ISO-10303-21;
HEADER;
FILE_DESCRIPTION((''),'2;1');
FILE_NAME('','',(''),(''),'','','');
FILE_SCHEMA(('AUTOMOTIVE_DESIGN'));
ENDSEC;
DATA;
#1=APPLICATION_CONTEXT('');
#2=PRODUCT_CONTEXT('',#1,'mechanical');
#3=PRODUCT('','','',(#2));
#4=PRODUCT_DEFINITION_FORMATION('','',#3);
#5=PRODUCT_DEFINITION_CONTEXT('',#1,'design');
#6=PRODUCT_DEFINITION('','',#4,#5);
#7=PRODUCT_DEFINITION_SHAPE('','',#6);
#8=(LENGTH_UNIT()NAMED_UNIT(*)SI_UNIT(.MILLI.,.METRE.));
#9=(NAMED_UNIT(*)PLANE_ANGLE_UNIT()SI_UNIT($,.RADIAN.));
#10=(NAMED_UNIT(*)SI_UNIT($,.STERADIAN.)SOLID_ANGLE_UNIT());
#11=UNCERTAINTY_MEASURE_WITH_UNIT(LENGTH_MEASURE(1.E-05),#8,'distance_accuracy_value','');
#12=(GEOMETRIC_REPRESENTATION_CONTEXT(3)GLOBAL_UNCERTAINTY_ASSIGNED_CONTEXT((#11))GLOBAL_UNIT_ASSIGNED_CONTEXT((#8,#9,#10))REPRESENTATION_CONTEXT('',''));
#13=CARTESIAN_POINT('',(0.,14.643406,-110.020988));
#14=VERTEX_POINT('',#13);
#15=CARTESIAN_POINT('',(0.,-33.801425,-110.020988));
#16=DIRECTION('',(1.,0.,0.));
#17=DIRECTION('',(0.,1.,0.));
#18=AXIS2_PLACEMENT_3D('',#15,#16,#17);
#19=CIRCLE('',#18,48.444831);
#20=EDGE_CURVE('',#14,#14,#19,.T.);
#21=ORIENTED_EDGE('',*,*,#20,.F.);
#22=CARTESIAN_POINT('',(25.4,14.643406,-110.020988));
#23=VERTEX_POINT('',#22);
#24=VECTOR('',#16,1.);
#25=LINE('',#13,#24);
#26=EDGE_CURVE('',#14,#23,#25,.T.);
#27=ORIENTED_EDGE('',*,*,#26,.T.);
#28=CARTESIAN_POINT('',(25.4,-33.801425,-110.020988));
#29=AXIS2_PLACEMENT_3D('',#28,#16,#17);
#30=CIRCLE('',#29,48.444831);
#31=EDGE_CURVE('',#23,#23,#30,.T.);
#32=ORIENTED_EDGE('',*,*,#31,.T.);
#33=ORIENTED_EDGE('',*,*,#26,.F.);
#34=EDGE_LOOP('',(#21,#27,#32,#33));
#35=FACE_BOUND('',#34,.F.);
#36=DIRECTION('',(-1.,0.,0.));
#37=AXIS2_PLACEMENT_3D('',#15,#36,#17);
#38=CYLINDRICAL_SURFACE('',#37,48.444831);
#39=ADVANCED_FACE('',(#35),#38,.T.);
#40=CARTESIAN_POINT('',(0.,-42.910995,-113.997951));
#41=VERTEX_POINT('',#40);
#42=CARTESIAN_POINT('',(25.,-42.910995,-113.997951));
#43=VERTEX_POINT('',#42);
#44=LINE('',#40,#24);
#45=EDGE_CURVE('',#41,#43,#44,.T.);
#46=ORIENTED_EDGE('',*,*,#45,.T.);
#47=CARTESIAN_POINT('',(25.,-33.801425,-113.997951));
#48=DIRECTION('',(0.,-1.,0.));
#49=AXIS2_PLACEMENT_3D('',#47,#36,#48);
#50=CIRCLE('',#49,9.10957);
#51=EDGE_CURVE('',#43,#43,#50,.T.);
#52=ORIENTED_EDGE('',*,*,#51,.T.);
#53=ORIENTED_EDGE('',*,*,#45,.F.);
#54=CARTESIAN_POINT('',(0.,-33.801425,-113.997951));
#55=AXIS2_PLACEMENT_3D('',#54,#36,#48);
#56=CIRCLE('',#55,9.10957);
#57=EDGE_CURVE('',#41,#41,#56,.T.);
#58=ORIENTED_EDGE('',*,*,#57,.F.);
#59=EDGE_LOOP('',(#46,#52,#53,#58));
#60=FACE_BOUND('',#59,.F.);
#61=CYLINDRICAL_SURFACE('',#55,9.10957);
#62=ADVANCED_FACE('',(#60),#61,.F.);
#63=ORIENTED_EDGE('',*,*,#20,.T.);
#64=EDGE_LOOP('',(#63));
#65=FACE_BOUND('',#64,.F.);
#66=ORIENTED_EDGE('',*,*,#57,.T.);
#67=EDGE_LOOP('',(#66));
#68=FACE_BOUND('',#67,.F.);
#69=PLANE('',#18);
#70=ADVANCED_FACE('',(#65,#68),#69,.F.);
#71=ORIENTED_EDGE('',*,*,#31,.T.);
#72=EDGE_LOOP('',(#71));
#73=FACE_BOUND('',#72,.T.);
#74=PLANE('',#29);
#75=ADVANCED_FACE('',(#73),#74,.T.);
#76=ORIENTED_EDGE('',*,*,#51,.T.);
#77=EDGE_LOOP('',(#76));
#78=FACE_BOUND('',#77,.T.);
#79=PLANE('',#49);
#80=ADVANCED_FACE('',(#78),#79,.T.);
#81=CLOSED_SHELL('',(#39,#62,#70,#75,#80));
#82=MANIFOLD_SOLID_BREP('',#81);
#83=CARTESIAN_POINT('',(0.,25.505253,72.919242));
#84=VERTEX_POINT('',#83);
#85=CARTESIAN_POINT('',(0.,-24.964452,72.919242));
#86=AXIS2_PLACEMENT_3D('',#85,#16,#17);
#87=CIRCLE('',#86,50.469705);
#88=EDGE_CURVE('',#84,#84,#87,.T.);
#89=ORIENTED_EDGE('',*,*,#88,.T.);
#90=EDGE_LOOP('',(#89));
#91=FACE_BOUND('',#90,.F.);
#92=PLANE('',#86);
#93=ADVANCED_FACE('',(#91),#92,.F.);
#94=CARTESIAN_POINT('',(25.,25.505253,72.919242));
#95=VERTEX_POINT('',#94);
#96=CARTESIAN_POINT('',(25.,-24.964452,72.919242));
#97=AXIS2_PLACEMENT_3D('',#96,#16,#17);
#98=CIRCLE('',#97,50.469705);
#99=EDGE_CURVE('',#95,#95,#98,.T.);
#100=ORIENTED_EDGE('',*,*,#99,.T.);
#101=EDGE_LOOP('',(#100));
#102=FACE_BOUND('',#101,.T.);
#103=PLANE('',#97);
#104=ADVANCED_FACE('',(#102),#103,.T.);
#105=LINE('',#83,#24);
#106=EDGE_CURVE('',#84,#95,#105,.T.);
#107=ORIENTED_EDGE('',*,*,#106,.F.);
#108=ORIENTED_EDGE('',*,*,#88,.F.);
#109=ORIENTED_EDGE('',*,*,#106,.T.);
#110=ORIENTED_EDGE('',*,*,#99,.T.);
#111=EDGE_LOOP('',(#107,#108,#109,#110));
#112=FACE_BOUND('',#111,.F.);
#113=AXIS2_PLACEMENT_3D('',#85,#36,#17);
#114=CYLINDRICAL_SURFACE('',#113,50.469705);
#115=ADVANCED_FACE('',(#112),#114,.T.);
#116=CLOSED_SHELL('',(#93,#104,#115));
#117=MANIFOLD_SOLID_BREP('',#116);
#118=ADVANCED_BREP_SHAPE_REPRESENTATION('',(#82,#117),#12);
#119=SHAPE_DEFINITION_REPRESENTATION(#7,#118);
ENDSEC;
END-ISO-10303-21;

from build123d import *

# Parameters (mm, degrees)
F0_R     = 48.444831
F2_DEPTH = 25.4
F1_R     = 50.469705
F3_DEPTH = 25
F4_R     = 9.10957
F5_DEPTH = 25


with BuildPart() as f2:
    # F0 (on Right) → F2 (new body)
    with BuildSketch(Plane.YZ):
        with Locations((-33.801425, -110.020988)):
            Circle(F0_R)
    extrude(amount=F2_DEPTH)

    # F4 (on face) → F5 (cut)
    with BuildSketch(Plane(origin=(0, 0, 0), x_dir=(0, -1, 0), z_dir=(-1, 0, 0))):
        with Locations((33.801425, -113.997951)):
            Circle(F4_R)
    extrude(amount=-F5_DEPTH, mode=Mode.SUBTRACT)


with BuildPart() as f3:
    # F1 (on Right) → F3 (new body)
    with BuildSketch(Plane.YZ):
        with Locations((-24.964452, 72.919242)):
            Circle(F1_R)
    extrude(amount=F3_DEPTH)


solid = Compound([f2.part, f3.part])
